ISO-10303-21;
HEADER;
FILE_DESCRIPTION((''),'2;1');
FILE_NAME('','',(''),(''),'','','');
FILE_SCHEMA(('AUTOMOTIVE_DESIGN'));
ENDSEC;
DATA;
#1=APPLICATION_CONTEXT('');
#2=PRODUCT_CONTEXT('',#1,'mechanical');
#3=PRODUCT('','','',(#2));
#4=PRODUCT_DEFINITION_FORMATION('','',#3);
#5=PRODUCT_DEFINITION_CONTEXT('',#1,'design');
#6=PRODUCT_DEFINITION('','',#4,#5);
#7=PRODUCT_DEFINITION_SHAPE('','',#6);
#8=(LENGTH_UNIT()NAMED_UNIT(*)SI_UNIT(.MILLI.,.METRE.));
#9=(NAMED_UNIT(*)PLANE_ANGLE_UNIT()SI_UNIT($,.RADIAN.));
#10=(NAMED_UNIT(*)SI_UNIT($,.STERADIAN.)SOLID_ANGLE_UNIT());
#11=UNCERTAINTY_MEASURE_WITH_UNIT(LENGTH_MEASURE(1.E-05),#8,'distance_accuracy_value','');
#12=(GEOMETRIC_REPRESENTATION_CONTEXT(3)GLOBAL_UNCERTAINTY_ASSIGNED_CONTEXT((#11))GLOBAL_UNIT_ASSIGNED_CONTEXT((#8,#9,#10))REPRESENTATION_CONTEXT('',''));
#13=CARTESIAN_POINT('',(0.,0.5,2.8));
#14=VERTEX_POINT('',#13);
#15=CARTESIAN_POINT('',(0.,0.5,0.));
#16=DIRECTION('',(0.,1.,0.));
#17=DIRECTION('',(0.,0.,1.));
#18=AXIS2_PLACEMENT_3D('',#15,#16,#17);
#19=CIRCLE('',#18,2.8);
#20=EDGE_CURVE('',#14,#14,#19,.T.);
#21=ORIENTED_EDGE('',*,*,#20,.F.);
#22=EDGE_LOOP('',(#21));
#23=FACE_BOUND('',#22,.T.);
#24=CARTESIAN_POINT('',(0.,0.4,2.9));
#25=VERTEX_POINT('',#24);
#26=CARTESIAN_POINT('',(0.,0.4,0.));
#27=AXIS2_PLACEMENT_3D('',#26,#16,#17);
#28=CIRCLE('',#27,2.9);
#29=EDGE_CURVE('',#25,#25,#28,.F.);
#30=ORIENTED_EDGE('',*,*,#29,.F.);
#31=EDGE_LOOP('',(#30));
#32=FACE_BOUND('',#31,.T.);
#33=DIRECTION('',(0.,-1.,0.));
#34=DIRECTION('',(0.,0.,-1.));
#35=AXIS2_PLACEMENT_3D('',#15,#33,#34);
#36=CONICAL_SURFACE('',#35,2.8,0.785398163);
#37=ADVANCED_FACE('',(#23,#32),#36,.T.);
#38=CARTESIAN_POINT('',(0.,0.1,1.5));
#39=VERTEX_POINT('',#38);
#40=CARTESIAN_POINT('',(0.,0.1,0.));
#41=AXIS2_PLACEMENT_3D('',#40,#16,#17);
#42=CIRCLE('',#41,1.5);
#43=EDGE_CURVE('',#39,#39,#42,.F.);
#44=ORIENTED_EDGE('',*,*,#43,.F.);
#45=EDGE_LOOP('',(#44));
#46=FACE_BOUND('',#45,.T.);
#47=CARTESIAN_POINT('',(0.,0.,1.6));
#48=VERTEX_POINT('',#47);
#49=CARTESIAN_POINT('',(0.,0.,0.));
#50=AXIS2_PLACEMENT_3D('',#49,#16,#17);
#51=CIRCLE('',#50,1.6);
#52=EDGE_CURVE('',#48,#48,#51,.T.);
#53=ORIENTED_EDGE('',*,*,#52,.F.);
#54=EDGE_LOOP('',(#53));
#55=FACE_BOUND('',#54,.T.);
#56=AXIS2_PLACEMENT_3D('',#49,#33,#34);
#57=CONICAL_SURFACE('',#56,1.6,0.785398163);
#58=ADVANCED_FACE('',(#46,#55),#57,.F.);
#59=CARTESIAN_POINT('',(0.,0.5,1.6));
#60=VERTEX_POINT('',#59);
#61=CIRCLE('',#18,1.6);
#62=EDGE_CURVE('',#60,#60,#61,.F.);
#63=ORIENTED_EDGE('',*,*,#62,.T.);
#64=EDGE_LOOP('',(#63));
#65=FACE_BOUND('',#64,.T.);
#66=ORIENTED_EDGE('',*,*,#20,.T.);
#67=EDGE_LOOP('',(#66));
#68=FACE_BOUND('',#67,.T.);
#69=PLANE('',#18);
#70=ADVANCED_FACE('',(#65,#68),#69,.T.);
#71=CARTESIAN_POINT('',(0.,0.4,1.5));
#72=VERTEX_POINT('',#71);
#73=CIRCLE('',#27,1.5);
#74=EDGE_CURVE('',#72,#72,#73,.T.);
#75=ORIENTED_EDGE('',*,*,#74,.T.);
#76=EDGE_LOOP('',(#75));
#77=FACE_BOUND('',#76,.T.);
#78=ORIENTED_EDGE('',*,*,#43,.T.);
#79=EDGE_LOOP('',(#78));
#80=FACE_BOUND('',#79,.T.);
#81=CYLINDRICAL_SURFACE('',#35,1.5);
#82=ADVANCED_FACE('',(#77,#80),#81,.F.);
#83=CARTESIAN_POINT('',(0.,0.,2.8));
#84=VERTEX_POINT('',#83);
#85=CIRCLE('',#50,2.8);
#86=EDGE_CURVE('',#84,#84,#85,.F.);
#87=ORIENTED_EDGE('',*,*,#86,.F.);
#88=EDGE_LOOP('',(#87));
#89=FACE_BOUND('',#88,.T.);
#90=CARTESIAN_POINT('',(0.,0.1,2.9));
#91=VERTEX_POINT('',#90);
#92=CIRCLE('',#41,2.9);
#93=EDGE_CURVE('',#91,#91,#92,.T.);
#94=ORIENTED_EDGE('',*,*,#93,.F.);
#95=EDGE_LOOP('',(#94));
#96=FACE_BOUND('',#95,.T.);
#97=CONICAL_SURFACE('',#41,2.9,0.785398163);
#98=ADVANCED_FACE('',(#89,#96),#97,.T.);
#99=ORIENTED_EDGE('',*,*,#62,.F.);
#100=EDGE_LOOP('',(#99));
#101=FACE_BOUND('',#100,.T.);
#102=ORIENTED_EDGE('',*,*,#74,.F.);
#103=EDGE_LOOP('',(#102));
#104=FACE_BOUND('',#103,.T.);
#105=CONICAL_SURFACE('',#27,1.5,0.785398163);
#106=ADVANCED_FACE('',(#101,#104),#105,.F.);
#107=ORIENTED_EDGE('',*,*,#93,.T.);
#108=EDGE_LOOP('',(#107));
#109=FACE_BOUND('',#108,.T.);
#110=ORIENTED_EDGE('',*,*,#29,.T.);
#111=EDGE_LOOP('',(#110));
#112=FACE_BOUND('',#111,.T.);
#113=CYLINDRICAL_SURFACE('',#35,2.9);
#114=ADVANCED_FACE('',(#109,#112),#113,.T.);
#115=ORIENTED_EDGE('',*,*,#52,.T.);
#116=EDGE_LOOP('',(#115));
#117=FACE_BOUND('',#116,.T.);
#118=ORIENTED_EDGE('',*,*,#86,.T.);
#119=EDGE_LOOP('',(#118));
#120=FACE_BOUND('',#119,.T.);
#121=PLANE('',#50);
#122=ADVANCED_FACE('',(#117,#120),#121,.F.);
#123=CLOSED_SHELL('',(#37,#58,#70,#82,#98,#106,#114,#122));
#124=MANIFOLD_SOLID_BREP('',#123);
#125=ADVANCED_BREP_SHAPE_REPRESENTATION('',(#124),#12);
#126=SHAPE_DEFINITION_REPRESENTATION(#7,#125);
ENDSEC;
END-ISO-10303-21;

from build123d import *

# Parameters (mm, degrees)
SKIZZE1_R                       = 2.9
SKIZZE1_R_2                     = 1.5
AUFSATZ_LINEAR_AUSTRAGEN1_DEPTH = 0.5
FASE1_SIZE                      = 0.1


with BuildPart() as part:
    # Skizze1 → Aufsatz-Linear austragen1 (new body)
    with BuildSketch(Plane(origin=(0, 0, 0), x_dir=(1, 0, 0), z_dir=(0, 1, 0))):
        Circle(SKIZZE1_R)
        Circle(SKIZZE1_R_2, mode=Mode.SUBTRACT)
    extrude(amount=AUFSATZ_LINEAR_AUSTRAGEN1_DEPTH)

    # Fase1
    fase1_edges = [part.edges().sort_by_distance(p)[0] for p in [
        (-2.9, 0, 0),
        (-2.9, 0.5, 0),
        (-1.5, 0, 0),
        (-1.5, 0.5, 0),
    ]]
    chamfer(fase1_edges, length=FASE1_SIZE)


solid = part.part
